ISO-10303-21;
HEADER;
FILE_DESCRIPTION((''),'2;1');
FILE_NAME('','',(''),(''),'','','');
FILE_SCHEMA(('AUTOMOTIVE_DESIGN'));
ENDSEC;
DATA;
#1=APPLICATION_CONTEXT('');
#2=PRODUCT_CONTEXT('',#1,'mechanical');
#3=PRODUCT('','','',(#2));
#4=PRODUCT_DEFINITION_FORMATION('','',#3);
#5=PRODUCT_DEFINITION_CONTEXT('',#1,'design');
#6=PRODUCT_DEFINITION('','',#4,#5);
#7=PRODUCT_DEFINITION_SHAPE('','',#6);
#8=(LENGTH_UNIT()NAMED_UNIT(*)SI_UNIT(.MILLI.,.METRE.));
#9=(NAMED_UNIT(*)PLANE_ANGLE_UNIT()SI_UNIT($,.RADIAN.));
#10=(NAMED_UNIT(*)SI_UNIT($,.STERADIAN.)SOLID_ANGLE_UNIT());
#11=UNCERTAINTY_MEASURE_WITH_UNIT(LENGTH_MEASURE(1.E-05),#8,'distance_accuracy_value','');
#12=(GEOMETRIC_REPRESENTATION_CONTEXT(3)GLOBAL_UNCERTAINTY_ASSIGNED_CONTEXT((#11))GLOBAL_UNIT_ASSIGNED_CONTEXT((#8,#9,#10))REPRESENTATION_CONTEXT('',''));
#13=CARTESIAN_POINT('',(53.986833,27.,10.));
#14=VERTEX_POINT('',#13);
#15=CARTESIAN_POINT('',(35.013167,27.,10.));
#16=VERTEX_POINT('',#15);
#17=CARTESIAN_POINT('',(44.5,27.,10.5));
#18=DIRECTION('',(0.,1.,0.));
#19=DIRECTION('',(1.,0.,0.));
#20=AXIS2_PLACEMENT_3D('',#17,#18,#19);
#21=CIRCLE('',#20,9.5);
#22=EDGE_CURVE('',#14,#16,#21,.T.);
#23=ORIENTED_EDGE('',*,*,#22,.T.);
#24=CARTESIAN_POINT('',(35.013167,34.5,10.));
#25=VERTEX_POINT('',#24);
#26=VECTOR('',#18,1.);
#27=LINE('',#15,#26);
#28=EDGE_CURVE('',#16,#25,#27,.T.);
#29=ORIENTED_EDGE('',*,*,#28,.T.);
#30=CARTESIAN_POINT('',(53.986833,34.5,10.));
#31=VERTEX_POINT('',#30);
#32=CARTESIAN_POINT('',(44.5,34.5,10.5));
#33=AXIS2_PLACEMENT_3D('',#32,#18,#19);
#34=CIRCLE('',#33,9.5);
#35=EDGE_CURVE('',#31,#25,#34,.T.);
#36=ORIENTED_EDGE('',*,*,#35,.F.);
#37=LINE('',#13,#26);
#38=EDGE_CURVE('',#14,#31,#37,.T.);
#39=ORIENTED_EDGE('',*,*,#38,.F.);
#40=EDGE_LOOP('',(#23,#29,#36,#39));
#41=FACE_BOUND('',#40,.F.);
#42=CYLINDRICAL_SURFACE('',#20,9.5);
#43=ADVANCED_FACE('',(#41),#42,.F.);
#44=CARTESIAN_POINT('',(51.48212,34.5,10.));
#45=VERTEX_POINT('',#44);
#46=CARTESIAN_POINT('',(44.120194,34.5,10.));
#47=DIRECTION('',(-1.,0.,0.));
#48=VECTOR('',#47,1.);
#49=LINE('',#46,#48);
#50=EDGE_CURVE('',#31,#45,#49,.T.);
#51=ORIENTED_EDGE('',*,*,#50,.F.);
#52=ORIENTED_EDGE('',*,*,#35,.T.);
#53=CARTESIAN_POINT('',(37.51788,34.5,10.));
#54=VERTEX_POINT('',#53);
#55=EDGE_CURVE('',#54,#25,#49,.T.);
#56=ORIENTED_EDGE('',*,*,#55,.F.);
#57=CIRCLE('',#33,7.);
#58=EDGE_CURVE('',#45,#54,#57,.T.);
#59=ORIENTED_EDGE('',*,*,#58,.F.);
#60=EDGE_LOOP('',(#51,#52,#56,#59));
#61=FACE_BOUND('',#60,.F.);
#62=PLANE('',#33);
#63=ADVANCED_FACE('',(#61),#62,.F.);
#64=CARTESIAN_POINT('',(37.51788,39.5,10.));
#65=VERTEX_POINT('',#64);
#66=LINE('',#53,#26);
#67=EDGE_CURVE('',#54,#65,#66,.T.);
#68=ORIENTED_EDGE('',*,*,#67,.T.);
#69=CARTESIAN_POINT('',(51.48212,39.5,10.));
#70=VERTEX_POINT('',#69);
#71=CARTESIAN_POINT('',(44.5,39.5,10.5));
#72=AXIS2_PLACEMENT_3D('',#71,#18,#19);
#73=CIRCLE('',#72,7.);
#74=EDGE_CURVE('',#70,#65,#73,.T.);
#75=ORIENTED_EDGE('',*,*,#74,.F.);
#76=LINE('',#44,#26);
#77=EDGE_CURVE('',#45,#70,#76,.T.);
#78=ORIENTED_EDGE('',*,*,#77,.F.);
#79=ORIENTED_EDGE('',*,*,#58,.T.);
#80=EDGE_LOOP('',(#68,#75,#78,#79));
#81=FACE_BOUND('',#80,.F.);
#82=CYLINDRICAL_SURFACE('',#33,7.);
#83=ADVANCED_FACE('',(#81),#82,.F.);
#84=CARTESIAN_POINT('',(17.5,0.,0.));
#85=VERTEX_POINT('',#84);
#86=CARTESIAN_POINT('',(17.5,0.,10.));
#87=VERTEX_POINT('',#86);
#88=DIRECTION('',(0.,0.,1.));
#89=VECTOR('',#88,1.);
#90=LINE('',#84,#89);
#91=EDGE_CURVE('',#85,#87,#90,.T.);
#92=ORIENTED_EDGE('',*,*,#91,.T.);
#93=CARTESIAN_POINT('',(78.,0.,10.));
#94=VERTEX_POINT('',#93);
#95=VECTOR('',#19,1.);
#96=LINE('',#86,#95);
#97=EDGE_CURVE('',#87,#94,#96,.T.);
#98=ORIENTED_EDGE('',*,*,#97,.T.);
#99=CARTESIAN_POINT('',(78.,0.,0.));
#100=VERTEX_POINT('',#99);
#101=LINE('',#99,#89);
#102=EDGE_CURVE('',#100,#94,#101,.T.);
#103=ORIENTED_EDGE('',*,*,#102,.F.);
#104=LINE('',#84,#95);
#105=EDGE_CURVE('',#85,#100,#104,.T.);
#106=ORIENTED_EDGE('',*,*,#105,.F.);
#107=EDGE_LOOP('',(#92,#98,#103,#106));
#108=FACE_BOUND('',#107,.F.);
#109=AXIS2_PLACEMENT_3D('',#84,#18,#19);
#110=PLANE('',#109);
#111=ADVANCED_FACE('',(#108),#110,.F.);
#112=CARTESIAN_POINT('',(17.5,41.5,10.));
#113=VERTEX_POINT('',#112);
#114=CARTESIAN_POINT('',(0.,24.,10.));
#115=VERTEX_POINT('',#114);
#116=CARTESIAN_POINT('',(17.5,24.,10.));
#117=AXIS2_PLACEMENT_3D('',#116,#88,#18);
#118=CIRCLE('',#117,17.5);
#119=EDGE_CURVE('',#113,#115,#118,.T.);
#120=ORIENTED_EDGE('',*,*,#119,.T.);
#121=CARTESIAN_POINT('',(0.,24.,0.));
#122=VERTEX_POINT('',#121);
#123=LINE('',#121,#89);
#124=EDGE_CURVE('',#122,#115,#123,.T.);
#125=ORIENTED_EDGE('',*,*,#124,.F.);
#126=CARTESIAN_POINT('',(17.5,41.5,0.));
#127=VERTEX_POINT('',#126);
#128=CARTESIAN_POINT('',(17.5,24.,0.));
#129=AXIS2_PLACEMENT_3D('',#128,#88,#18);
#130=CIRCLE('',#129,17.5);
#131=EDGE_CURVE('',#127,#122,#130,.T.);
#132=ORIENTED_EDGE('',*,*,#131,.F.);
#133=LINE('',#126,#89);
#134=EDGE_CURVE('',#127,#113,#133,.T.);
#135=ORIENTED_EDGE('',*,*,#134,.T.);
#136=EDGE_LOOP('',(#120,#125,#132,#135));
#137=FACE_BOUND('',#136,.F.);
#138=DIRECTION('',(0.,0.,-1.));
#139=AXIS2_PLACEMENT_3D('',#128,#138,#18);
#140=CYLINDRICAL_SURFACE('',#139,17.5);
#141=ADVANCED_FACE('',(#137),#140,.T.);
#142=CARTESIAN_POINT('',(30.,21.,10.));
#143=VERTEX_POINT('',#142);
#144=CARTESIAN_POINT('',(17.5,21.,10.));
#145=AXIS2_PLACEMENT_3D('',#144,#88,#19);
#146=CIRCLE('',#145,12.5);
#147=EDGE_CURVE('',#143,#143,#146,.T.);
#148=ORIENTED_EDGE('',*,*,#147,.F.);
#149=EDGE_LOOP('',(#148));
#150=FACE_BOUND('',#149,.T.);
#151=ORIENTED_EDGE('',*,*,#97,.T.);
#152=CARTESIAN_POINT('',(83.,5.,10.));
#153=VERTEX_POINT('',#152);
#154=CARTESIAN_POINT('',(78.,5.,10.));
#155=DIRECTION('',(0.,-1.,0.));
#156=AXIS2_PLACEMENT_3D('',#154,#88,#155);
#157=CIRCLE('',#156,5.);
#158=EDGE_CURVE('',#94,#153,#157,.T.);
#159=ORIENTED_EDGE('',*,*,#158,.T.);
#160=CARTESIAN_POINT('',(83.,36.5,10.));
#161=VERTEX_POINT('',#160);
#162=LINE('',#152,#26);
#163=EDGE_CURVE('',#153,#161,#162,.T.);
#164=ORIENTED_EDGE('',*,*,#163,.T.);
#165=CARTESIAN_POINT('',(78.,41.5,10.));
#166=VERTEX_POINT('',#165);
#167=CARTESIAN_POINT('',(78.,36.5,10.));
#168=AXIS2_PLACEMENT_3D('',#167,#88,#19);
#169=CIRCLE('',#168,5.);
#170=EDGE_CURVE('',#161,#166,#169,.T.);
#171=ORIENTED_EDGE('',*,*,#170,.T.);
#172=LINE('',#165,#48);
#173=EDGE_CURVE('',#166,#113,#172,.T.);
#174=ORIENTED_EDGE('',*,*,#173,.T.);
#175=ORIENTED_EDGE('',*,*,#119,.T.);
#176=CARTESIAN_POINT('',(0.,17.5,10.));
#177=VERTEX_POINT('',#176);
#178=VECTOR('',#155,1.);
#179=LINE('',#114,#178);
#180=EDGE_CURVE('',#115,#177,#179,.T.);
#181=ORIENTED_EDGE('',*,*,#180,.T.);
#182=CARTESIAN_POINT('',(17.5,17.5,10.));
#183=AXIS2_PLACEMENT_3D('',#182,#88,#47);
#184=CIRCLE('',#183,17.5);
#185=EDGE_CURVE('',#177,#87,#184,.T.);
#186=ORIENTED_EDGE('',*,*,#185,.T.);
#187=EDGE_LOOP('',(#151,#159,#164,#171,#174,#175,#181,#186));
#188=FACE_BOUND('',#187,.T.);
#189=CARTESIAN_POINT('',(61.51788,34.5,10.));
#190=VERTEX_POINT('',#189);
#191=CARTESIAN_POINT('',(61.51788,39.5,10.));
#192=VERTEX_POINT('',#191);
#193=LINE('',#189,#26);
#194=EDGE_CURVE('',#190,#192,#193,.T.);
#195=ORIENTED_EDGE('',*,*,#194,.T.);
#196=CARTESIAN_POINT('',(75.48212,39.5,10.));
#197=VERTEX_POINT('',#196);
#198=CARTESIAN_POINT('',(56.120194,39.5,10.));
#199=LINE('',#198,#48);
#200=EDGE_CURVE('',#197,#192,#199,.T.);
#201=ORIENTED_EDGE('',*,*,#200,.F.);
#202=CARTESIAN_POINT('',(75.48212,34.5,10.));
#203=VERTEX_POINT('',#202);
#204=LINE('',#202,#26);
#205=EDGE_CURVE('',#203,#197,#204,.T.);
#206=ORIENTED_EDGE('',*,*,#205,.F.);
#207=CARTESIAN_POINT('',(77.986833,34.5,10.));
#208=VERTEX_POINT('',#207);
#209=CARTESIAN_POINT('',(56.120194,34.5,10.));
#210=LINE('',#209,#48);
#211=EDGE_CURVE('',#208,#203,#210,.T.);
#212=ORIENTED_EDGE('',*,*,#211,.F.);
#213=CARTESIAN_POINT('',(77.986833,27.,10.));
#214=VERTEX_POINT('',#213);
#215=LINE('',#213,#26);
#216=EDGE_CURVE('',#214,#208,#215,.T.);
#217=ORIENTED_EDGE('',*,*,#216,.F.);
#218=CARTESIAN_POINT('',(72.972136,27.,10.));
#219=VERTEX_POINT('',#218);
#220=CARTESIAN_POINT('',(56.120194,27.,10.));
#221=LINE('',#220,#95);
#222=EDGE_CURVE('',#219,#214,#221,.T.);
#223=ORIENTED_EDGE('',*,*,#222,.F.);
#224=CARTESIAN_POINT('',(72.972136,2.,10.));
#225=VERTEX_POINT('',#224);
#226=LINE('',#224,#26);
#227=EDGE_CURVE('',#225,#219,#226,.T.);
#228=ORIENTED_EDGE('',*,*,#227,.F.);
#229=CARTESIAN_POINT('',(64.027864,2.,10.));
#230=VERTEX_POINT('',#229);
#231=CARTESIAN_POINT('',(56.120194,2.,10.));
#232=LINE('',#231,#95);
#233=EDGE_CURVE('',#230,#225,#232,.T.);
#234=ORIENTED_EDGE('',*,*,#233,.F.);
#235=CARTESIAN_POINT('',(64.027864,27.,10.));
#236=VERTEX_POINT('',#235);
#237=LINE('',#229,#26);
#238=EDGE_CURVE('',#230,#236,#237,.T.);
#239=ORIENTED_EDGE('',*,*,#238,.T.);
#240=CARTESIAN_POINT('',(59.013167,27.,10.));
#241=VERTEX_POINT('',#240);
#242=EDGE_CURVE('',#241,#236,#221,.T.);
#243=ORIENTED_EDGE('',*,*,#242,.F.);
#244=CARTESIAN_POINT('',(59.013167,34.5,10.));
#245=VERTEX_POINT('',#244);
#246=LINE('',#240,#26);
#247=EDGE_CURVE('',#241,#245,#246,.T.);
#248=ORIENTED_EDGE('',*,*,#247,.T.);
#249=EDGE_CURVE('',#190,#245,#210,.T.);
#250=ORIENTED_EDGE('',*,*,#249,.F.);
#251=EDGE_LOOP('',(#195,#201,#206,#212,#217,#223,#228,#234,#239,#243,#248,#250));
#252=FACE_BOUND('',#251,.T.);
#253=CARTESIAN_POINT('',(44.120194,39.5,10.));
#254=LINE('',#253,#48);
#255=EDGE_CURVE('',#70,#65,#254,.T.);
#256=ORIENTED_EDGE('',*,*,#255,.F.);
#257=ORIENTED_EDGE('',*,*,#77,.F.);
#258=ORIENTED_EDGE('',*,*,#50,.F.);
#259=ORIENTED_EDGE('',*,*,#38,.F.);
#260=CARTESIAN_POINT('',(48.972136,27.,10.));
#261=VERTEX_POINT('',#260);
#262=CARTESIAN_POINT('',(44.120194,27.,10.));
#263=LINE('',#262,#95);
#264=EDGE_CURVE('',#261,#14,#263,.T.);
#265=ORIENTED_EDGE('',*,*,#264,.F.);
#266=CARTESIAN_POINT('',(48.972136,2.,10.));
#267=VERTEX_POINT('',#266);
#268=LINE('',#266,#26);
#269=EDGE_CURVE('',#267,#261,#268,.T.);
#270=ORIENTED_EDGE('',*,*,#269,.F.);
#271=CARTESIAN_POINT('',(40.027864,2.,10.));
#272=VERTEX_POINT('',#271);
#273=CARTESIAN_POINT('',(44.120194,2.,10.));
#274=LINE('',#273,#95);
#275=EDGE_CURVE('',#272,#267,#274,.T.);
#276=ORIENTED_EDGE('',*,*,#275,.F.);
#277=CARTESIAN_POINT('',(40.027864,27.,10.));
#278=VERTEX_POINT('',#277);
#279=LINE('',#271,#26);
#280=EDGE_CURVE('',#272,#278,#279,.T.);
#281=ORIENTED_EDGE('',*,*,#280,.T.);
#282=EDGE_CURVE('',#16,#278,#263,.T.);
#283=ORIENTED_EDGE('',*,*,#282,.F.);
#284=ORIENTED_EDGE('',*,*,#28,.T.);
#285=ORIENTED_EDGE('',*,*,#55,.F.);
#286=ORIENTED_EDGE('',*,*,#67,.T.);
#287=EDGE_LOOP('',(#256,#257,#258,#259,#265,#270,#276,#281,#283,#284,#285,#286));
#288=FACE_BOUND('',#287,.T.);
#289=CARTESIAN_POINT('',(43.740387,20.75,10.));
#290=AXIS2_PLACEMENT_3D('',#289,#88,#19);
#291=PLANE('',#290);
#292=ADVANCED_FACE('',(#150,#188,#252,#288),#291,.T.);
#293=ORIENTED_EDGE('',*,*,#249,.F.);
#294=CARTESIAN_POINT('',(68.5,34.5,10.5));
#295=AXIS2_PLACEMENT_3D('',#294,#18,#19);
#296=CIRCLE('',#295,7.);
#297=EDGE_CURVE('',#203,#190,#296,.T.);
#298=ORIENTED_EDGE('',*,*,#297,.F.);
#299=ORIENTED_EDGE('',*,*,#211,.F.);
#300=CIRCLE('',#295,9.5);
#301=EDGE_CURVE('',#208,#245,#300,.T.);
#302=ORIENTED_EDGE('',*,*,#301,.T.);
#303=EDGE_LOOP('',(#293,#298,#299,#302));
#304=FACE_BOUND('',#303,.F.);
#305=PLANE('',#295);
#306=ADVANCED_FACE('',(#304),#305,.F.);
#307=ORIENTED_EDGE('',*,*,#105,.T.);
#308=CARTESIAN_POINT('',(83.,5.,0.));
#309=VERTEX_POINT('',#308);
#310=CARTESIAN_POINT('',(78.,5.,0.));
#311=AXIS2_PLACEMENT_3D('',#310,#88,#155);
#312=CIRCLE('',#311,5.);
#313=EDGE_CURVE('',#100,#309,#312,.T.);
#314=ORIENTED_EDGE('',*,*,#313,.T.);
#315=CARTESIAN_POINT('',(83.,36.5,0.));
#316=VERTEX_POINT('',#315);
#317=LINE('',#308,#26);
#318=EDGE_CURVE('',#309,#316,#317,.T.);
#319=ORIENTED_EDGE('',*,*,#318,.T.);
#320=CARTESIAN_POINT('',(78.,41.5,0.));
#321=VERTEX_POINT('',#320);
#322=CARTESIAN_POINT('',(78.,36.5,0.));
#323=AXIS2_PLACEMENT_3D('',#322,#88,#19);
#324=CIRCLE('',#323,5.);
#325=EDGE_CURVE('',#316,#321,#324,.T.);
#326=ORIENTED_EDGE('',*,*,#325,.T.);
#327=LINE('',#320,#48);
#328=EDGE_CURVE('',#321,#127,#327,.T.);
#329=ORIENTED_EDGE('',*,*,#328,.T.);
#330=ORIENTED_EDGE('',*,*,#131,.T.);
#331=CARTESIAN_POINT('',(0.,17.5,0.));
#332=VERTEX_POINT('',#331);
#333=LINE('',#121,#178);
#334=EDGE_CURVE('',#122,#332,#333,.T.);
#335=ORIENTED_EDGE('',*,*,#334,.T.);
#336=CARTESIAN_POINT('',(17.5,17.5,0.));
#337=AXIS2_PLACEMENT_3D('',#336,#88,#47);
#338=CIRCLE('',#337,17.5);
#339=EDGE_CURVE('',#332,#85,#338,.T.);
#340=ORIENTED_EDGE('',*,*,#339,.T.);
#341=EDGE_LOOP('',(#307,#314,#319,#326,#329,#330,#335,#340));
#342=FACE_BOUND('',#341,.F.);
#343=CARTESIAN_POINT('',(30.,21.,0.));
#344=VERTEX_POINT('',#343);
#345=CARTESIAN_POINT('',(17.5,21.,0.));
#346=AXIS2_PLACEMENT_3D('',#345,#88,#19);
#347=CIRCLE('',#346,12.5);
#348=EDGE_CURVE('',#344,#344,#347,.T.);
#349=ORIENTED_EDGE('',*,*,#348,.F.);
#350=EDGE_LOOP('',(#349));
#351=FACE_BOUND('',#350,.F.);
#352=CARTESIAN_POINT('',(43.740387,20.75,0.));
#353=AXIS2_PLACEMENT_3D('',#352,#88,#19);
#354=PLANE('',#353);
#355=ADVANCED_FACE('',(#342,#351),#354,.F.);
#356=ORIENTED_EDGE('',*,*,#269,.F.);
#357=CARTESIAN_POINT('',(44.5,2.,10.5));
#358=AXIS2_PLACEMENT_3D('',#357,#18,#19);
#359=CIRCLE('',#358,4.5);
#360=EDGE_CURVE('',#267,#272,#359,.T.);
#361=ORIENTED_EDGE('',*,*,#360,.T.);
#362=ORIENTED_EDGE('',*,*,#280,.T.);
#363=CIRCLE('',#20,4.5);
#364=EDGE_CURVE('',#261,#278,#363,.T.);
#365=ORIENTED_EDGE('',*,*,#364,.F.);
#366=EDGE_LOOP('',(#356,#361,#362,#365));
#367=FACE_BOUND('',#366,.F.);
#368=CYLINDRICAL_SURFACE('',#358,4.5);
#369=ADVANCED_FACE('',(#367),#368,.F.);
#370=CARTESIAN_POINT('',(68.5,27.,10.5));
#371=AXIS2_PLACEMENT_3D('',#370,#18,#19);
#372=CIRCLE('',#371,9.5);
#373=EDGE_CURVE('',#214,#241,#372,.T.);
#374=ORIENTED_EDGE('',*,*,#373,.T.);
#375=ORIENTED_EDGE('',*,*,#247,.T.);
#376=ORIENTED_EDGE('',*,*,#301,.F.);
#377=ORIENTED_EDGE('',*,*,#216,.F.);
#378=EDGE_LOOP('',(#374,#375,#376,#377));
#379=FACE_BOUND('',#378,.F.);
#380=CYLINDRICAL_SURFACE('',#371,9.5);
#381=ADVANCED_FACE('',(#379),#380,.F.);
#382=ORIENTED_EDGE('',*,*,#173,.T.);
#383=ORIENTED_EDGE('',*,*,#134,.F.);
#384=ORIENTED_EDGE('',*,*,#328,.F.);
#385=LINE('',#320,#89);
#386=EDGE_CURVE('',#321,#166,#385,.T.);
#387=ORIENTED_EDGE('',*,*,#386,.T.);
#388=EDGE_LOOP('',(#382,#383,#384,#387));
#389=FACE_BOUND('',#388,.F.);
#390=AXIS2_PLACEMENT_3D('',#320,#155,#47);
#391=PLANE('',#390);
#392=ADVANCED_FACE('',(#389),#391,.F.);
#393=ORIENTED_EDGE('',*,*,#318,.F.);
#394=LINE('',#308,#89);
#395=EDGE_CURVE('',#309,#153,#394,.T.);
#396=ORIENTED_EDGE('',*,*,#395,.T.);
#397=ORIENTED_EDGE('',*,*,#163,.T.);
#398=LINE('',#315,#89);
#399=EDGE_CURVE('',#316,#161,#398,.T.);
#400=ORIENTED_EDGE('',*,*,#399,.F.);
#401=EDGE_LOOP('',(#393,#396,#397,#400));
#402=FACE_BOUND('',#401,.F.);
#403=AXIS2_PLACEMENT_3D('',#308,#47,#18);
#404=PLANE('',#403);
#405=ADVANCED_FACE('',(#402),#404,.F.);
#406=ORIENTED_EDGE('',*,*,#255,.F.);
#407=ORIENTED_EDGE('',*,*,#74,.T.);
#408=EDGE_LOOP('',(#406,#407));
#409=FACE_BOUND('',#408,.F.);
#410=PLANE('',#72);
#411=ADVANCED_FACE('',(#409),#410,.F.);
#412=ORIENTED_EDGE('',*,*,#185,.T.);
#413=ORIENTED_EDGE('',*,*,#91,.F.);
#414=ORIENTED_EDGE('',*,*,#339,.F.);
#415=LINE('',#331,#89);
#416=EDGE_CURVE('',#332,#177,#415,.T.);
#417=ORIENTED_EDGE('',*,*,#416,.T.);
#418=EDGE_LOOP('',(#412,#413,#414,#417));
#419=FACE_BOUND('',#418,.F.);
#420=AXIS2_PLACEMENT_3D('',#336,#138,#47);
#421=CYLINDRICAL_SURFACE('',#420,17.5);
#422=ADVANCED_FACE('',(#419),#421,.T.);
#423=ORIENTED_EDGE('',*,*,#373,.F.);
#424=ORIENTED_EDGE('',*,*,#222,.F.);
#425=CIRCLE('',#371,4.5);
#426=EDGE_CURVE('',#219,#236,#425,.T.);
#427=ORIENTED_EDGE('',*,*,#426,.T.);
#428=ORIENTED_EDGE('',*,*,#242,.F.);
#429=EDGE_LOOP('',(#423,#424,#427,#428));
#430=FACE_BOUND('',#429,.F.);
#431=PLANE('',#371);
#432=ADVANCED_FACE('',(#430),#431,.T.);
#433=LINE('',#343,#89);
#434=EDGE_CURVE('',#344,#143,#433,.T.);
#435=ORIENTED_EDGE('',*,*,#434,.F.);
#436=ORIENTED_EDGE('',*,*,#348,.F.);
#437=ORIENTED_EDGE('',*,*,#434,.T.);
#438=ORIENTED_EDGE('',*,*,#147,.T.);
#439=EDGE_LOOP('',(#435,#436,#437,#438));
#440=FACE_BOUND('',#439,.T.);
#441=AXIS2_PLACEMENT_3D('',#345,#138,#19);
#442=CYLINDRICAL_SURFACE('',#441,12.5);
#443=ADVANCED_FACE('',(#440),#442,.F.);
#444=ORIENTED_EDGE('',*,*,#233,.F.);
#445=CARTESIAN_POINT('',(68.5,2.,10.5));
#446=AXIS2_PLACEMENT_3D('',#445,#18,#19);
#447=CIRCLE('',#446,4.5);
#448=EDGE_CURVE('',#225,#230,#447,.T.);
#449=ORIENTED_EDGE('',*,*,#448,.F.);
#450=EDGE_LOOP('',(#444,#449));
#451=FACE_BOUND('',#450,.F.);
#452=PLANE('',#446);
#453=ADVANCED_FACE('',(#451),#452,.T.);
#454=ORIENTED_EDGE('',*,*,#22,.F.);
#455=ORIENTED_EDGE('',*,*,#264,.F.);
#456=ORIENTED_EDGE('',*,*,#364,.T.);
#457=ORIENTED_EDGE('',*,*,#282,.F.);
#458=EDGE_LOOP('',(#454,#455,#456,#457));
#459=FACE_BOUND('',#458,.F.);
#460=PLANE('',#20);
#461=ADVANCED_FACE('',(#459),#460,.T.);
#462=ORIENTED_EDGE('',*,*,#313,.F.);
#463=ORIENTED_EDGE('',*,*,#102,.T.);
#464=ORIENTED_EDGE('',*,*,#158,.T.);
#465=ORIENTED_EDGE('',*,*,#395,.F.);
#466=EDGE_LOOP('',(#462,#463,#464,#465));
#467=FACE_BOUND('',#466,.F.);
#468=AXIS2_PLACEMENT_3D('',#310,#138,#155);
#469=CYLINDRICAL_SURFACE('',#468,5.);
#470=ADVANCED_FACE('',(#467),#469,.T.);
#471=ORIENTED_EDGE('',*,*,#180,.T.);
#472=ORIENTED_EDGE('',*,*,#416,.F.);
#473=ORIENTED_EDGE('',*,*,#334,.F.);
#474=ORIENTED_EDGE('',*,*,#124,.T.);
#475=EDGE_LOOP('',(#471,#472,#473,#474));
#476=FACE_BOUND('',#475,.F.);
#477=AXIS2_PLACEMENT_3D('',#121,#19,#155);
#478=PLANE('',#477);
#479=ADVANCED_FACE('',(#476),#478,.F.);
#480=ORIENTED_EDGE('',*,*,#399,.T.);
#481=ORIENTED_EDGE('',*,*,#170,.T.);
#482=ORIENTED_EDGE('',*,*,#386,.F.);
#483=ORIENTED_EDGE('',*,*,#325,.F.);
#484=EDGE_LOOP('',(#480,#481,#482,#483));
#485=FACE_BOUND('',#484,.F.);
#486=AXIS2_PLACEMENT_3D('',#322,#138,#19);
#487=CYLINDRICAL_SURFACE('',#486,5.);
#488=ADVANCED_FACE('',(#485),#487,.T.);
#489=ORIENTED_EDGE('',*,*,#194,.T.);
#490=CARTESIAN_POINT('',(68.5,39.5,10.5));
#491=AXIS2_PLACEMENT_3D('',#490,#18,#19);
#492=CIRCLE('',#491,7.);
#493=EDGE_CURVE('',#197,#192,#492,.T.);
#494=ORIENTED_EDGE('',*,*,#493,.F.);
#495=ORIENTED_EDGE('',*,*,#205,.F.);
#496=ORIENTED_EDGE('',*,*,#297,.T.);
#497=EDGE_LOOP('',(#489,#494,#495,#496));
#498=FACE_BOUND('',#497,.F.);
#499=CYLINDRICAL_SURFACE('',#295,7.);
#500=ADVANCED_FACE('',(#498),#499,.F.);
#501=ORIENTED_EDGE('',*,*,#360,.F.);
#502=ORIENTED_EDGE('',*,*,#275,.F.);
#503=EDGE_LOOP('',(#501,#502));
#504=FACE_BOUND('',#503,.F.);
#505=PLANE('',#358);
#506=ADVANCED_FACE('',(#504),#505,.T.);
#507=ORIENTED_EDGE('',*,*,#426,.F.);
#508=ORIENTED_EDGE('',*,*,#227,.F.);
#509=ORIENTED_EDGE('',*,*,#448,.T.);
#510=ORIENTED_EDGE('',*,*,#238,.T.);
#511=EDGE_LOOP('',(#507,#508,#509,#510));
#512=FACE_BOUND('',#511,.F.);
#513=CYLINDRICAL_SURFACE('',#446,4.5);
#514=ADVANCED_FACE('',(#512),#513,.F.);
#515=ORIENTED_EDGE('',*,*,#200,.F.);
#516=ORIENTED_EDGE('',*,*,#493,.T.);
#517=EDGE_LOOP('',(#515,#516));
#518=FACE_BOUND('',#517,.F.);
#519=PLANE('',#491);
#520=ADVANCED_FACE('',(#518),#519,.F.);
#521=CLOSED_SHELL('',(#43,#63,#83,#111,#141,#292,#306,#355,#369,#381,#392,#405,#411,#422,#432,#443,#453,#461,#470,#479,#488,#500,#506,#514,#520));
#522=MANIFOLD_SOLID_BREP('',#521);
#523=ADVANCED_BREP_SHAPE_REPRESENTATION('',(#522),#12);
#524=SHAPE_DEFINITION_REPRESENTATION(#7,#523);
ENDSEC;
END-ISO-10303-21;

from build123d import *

# Parameters (mm, degrees)
F0_R     = 12.5
F1_DEPTH = 10


with BuildPart() as f1:
    # F0 (on Top) → F1 (new body)
    with BuildSketch(Plane.XY):
        with BuildLine():
            ThreePointArc((0, 17.5), (5.1256313292, 5.1256313292), (17.5, 0))
            Line((17.5, 0), (78, 0))
            ThreePointArc((78, 0), (81.5355339059, 1.4644660941), (83, 5))
            Line((83, 5), (83, 36.5))
            ThreePointArc((83, 36.5), (81.5355339059, 40.0355339059), (78, 41.5))
            Line((78, 41.5), (17.5, 41.5))
            ThreePointArc((17.5, 41.5), (5.1256313292, 36.3743686708), (0, 24))
            Line((0, 24), (0, 17.5))
        make_face()
        with Locations((17.5, 21)):
            Circle(F0_R, mode=Mode.SUBTRACT)
    extrude(amount=F1_DEPTH)

    # F3 (on offset) → F4 (revolve, cut)
    with BuildSketch(Plane.XY.offset(10.5)):
        Polygon((44.5, 27), (44.5, 2), (49, 2), (49, 27), (54, 27), (54, 34.5), (51.5, 34.5), (51.5, 39.5), (44.5, 39.5), (44.5, 34.5), align=None)
    revolve(axis=Axis((44.5, 14.5, 10.5), (0, 1, 0)), mode=Mode.SUBTRACT)

    # F3 (on offset) → F5 (revolve, cut)
    with BuildSketch(Plane.XY.offset(10.5)):
        Polygon((68.5, 27), (68.5, 2), (73, 2), (73, 27), (78, 27), (78, 34.5), (75.5, 34.5), (75.5, 39.5), (68.5, 39.5), (68.5, 34.5), align=None)
    revolve(axis=Axis((68.5, 14.5, 10.5), (0, 1, 0)), mode=Mode.SUBTRACT)


solid = f1.part
